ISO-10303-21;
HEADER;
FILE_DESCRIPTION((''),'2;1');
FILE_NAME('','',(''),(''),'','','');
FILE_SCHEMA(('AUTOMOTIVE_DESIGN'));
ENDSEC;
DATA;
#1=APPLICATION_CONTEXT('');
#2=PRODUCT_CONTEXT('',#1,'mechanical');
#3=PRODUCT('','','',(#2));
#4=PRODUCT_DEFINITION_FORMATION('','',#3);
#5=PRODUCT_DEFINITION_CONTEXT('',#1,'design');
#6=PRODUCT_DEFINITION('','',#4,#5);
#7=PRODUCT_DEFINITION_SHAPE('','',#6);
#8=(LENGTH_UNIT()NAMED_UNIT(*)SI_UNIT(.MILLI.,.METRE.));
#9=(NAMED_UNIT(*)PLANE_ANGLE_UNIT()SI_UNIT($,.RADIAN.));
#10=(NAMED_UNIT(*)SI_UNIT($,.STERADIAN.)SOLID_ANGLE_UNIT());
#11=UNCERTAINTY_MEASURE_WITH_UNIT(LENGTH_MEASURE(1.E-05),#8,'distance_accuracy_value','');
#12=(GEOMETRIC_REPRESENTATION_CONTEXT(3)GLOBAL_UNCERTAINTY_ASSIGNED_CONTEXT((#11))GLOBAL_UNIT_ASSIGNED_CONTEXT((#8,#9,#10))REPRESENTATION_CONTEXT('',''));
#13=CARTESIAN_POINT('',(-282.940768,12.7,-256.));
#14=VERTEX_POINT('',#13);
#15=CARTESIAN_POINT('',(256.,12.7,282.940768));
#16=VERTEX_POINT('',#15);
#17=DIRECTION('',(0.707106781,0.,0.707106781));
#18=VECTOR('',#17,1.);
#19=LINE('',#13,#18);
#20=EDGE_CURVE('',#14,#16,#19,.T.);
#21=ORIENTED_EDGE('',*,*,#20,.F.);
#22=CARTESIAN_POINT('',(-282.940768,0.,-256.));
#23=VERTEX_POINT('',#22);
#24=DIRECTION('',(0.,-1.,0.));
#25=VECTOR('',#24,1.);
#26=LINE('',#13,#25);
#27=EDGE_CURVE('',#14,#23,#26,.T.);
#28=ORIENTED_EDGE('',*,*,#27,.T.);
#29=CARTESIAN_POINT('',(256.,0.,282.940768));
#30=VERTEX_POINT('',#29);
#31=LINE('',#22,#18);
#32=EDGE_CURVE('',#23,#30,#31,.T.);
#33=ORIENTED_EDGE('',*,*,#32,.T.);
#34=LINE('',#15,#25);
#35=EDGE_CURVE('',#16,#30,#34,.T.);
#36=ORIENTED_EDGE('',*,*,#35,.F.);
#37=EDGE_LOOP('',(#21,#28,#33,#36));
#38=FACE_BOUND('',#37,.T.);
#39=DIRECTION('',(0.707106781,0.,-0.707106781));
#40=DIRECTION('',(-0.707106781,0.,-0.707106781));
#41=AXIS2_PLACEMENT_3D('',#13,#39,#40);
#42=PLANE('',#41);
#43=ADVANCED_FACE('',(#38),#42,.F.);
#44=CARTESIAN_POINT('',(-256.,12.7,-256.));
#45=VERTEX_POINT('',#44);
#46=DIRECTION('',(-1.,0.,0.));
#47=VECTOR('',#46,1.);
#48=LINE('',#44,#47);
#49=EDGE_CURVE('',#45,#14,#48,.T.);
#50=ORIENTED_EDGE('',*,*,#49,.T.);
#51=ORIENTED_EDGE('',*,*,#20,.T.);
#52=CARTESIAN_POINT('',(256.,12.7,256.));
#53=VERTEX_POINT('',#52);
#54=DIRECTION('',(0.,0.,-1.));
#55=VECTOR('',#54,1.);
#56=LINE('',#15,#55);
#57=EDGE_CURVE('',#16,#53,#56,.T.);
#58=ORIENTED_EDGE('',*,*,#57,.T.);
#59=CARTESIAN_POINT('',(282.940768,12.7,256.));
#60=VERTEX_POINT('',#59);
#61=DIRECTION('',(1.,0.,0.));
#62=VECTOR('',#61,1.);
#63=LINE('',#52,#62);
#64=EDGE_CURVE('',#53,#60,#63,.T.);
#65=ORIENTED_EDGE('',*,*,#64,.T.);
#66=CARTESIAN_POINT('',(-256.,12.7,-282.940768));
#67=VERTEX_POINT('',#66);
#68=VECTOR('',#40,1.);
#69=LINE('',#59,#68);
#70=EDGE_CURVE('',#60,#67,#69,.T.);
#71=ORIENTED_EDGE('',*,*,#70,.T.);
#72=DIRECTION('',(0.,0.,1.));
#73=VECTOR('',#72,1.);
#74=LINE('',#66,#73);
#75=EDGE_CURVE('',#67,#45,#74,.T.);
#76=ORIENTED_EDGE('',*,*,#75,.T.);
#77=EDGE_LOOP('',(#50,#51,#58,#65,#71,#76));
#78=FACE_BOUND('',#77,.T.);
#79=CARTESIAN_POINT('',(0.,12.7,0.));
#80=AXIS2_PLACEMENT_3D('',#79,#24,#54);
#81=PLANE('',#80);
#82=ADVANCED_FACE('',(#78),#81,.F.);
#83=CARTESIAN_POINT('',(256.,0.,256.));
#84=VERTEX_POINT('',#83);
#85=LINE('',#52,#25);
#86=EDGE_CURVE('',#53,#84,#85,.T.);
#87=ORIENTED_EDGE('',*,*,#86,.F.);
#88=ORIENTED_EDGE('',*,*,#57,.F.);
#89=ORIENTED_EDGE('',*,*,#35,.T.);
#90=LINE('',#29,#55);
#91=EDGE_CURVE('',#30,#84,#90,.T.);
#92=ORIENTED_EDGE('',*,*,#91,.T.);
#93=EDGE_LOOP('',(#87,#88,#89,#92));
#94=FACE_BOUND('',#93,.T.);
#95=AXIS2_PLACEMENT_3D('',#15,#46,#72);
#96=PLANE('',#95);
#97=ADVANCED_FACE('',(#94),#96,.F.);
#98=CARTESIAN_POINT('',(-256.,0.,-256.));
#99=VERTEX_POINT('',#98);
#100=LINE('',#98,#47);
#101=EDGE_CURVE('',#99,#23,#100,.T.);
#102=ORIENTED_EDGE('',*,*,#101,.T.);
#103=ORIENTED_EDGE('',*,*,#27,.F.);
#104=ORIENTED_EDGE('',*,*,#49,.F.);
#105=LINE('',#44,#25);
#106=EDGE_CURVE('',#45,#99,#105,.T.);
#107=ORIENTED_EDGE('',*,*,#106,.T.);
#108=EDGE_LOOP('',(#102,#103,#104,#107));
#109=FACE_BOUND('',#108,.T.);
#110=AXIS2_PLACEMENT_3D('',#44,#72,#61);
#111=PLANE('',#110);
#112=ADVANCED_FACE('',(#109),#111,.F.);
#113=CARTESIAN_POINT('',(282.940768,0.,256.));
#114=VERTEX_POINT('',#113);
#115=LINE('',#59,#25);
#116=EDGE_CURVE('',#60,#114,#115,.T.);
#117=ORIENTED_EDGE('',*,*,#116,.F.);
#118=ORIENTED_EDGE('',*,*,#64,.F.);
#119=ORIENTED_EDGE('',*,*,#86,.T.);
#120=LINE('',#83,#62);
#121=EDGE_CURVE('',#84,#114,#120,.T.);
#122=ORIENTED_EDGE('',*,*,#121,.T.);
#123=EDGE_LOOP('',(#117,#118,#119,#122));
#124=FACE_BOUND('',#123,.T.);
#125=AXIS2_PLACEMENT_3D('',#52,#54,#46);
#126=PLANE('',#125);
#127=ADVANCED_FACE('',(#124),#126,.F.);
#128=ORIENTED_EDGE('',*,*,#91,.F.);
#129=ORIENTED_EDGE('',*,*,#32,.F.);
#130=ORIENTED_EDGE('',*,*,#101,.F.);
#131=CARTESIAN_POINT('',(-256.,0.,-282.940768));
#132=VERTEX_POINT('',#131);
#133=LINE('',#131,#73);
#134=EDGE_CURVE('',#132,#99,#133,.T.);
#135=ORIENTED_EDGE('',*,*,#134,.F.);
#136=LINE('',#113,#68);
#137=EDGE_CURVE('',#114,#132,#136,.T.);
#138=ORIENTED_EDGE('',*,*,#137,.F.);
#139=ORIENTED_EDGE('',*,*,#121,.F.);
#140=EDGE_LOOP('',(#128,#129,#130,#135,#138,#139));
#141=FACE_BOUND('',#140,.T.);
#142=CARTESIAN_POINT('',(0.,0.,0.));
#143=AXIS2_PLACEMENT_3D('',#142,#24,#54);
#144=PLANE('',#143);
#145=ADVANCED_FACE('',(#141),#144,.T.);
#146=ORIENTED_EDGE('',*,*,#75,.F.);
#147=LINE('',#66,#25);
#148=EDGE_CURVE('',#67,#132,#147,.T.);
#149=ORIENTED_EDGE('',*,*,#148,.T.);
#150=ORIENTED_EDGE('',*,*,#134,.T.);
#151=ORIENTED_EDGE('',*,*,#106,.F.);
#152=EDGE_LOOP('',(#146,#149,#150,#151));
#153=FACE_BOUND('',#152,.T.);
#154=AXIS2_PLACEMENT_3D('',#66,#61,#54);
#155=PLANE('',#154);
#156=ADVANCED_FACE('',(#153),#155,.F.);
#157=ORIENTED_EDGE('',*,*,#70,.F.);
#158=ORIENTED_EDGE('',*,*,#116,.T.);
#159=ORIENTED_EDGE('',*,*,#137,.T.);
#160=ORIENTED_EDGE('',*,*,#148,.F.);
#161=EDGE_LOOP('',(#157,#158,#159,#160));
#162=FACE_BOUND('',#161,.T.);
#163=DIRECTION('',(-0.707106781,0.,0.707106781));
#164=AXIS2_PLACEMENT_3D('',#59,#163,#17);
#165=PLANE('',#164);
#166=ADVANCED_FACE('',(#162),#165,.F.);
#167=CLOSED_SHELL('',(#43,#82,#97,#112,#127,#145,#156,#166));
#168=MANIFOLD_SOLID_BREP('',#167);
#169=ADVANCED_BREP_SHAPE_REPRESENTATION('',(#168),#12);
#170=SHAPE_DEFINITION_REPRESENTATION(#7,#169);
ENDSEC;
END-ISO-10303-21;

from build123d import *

# Parameters (mm, degrees)
BOSS_EXTRUDE1_DEPTH = 12.7


with BuildPart() as part:
    # Sketch1 → Boss-Extrude1 (new body)
    with BuildSketch(Plane(origin=(0, 0, 0), x_dir=(1, 0, 0), z_dir=(0, 1, 0))):
        Polygon((-256, 282.940768363), (-256, 256), (-282.940768363, 256), (256, -282.940768363), (256, -256), (282.940768363, -256), align=None)
    extrude(amount=BOSS_EXTRUDE1_DEPTH)


solid = part.part
